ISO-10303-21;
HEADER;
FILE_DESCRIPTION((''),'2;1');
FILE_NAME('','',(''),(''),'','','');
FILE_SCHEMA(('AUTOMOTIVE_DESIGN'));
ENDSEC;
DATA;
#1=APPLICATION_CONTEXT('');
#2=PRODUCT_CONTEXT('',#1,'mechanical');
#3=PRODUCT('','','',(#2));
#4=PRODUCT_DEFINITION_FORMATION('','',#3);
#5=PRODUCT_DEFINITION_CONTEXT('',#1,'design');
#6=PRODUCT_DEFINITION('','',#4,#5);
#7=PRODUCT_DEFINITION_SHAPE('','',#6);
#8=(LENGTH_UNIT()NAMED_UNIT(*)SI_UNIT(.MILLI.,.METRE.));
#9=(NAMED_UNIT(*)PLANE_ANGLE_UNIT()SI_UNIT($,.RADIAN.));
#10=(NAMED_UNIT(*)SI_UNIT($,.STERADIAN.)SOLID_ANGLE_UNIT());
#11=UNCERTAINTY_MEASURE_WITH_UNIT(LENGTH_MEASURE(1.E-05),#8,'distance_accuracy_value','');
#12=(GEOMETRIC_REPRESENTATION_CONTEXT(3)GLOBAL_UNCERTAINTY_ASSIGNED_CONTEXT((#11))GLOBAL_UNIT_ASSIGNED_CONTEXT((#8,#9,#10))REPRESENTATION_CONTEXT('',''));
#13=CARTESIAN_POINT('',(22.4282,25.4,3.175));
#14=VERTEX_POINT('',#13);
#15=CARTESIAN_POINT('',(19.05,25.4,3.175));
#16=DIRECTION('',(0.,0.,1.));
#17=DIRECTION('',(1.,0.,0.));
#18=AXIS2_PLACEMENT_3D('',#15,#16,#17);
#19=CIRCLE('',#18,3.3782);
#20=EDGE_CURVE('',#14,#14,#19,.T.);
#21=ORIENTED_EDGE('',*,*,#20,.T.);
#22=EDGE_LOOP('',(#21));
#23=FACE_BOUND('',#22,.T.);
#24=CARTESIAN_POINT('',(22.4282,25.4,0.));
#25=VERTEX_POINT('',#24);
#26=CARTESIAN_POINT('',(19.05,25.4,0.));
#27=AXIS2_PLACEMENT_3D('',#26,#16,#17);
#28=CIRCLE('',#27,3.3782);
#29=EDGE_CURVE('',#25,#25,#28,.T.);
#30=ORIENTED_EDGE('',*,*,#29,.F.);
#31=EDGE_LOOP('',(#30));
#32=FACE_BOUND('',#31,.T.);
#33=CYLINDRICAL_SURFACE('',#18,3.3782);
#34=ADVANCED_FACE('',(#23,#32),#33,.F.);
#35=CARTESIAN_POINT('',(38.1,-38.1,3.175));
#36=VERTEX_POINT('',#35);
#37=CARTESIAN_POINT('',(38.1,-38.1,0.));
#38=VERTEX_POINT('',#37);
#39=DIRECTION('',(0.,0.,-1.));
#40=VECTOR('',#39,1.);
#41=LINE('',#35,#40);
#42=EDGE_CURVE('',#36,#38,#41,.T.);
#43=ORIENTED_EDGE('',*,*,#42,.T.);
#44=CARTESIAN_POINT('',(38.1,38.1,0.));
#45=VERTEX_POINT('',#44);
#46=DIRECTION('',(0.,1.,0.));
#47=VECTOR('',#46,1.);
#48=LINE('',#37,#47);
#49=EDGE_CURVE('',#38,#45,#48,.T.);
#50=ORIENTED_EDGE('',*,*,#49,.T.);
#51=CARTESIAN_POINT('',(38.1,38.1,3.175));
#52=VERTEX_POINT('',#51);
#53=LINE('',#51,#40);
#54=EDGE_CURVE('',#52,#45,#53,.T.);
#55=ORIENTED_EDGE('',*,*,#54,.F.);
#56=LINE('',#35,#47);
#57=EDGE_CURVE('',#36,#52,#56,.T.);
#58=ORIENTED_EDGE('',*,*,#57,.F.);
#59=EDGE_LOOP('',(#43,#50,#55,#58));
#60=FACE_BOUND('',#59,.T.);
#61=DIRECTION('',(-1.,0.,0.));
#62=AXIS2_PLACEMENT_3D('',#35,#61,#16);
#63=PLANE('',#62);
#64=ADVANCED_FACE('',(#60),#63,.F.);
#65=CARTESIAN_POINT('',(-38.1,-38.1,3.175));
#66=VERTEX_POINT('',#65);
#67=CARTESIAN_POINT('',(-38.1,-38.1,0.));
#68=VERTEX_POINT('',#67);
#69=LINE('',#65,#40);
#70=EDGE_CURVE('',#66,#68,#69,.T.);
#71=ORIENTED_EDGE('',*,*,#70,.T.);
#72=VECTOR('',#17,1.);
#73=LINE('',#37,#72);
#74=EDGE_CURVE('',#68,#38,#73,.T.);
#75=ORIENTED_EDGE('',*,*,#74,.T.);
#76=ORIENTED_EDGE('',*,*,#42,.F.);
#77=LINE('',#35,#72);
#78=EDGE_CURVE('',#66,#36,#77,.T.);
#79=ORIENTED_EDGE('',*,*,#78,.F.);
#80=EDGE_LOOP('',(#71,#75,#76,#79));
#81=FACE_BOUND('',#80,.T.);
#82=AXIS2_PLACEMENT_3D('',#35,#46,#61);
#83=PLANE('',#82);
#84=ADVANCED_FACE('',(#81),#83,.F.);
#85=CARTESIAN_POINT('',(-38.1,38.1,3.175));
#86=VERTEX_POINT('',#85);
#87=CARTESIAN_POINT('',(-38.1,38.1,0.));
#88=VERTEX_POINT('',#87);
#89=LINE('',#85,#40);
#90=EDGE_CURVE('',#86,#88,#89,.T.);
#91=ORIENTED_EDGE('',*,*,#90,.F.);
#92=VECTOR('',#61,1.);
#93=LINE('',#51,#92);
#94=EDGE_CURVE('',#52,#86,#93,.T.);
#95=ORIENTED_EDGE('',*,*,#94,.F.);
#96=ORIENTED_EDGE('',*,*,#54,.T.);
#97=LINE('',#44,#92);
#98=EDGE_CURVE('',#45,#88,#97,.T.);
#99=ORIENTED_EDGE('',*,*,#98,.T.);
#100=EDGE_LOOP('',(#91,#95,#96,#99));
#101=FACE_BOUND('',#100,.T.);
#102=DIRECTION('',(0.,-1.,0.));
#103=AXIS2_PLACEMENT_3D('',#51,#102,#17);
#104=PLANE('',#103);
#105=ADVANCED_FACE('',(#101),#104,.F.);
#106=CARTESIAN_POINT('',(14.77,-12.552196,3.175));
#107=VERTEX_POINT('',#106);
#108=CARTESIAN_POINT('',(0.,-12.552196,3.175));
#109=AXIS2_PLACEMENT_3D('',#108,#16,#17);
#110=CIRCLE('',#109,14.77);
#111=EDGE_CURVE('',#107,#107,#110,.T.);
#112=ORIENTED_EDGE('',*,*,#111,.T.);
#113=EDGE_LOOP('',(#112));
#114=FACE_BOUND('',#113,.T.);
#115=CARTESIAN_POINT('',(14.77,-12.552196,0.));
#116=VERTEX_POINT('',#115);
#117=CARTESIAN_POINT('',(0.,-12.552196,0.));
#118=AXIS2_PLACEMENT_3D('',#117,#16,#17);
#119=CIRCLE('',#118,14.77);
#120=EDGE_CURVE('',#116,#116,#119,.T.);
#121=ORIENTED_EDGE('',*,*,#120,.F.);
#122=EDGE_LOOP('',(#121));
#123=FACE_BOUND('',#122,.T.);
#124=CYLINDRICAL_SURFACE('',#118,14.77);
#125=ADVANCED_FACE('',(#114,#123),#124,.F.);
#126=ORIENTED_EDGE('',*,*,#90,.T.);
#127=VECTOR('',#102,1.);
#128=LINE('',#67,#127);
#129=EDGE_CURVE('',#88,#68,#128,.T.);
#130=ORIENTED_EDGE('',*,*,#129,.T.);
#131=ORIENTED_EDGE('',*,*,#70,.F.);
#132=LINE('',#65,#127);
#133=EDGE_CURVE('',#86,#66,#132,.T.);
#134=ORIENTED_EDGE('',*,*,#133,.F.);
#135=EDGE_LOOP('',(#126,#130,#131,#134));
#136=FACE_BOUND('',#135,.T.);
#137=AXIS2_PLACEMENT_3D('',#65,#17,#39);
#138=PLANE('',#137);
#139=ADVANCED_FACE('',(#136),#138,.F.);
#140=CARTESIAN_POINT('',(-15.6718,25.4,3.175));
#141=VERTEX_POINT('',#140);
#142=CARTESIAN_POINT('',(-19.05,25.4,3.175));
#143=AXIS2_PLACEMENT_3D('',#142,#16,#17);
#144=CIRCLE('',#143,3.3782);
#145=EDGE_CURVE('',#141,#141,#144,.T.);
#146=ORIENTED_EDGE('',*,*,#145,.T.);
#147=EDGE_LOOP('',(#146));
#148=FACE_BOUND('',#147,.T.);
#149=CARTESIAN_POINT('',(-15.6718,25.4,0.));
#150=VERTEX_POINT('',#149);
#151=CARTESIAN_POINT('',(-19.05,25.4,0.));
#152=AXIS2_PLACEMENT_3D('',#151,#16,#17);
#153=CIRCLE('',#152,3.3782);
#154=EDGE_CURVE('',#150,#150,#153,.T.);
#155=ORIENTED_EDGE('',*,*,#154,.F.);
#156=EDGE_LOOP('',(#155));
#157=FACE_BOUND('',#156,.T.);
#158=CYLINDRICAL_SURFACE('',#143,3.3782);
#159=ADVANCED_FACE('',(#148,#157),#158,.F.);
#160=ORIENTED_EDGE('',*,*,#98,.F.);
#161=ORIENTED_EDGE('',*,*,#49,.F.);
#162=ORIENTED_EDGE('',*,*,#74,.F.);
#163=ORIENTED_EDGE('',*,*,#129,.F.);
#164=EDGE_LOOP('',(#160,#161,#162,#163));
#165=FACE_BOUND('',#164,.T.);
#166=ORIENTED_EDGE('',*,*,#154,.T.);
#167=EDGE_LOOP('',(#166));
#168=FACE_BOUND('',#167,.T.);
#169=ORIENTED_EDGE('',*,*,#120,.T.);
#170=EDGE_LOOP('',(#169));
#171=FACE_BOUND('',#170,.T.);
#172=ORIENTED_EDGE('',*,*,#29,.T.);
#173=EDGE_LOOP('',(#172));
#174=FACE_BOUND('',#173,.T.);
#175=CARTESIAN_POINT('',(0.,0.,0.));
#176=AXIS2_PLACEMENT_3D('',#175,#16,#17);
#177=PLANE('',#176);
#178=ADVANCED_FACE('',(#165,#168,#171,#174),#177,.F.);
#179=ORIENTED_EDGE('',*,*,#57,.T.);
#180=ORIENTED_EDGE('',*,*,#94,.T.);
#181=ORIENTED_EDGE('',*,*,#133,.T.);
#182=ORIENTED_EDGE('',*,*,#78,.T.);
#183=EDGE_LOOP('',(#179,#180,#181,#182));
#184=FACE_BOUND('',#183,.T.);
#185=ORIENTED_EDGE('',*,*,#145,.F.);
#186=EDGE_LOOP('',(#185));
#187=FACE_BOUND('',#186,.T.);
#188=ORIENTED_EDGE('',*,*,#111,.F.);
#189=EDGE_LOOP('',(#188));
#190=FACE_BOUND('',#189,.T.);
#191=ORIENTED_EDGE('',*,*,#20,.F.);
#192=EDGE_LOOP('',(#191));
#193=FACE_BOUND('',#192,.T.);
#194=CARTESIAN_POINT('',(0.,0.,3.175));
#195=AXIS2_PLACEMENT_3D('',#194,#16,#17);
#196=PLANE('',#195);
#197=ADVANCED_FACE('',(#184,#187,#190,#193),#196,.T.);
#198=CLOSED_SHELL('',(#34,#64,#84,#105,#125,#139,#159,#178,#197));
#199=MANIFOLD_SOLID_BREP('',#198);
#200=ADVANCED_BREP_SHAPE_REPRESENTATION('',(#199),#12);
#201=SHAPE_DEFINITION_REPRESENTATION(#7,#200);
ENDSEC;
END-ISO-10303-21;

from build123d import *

# Parameters (mm, degrees)
SKETCH1_W               = 76.2
SKETCH1_H               = 76.2
BOSS_EXTRUDE1_DEPTH     = 3.175
F_1_4_CLEARANCE_HOLE1_D = 6.7564
CUT_EXTRUDE1_DEPTH      = 54.975
CUT_EXTRUDE1_DEPTH_BACK = 54.975
SKETCH4_R               = 14.77


with BuildPart() as part:
    # Sketch1 → Boss-Extrude1 (new body)
    with BuildSketch(Plane.XY):
        Rectangle(SKETCH1_W, SKETCH1_H)
    extrude(amount=BOSS_EXTRUDE1_DEPTH)

    # 1/4 Clearance Hole1 (through all)
    with Locations(Plane.XY.offset(3.175)):
        with Locations((19.05, 25.4), (-19.05, 25.4)):
            Hole(F_1_4_CLEARANCE_HOLE1_D / 2)

    # Sketch4 → Cut-Extrude1 (cut, two sides: drawn at the far end of the back side and taken through both)
    with BuildSketch(Plane.XY.offset(3.175).offset(-CUT_EXTRUDE1_DEPTH_BACK)):
        with Locations((0, -12.552196451)):
            Circle(SKETCH4_R)
    extrude(amount=CUT_EXTRUDE1_DEPTH + CUT_EXTRUDE1_DEPTH_BACK, mode=Mode.SUBTRACT)


solid = part.part
